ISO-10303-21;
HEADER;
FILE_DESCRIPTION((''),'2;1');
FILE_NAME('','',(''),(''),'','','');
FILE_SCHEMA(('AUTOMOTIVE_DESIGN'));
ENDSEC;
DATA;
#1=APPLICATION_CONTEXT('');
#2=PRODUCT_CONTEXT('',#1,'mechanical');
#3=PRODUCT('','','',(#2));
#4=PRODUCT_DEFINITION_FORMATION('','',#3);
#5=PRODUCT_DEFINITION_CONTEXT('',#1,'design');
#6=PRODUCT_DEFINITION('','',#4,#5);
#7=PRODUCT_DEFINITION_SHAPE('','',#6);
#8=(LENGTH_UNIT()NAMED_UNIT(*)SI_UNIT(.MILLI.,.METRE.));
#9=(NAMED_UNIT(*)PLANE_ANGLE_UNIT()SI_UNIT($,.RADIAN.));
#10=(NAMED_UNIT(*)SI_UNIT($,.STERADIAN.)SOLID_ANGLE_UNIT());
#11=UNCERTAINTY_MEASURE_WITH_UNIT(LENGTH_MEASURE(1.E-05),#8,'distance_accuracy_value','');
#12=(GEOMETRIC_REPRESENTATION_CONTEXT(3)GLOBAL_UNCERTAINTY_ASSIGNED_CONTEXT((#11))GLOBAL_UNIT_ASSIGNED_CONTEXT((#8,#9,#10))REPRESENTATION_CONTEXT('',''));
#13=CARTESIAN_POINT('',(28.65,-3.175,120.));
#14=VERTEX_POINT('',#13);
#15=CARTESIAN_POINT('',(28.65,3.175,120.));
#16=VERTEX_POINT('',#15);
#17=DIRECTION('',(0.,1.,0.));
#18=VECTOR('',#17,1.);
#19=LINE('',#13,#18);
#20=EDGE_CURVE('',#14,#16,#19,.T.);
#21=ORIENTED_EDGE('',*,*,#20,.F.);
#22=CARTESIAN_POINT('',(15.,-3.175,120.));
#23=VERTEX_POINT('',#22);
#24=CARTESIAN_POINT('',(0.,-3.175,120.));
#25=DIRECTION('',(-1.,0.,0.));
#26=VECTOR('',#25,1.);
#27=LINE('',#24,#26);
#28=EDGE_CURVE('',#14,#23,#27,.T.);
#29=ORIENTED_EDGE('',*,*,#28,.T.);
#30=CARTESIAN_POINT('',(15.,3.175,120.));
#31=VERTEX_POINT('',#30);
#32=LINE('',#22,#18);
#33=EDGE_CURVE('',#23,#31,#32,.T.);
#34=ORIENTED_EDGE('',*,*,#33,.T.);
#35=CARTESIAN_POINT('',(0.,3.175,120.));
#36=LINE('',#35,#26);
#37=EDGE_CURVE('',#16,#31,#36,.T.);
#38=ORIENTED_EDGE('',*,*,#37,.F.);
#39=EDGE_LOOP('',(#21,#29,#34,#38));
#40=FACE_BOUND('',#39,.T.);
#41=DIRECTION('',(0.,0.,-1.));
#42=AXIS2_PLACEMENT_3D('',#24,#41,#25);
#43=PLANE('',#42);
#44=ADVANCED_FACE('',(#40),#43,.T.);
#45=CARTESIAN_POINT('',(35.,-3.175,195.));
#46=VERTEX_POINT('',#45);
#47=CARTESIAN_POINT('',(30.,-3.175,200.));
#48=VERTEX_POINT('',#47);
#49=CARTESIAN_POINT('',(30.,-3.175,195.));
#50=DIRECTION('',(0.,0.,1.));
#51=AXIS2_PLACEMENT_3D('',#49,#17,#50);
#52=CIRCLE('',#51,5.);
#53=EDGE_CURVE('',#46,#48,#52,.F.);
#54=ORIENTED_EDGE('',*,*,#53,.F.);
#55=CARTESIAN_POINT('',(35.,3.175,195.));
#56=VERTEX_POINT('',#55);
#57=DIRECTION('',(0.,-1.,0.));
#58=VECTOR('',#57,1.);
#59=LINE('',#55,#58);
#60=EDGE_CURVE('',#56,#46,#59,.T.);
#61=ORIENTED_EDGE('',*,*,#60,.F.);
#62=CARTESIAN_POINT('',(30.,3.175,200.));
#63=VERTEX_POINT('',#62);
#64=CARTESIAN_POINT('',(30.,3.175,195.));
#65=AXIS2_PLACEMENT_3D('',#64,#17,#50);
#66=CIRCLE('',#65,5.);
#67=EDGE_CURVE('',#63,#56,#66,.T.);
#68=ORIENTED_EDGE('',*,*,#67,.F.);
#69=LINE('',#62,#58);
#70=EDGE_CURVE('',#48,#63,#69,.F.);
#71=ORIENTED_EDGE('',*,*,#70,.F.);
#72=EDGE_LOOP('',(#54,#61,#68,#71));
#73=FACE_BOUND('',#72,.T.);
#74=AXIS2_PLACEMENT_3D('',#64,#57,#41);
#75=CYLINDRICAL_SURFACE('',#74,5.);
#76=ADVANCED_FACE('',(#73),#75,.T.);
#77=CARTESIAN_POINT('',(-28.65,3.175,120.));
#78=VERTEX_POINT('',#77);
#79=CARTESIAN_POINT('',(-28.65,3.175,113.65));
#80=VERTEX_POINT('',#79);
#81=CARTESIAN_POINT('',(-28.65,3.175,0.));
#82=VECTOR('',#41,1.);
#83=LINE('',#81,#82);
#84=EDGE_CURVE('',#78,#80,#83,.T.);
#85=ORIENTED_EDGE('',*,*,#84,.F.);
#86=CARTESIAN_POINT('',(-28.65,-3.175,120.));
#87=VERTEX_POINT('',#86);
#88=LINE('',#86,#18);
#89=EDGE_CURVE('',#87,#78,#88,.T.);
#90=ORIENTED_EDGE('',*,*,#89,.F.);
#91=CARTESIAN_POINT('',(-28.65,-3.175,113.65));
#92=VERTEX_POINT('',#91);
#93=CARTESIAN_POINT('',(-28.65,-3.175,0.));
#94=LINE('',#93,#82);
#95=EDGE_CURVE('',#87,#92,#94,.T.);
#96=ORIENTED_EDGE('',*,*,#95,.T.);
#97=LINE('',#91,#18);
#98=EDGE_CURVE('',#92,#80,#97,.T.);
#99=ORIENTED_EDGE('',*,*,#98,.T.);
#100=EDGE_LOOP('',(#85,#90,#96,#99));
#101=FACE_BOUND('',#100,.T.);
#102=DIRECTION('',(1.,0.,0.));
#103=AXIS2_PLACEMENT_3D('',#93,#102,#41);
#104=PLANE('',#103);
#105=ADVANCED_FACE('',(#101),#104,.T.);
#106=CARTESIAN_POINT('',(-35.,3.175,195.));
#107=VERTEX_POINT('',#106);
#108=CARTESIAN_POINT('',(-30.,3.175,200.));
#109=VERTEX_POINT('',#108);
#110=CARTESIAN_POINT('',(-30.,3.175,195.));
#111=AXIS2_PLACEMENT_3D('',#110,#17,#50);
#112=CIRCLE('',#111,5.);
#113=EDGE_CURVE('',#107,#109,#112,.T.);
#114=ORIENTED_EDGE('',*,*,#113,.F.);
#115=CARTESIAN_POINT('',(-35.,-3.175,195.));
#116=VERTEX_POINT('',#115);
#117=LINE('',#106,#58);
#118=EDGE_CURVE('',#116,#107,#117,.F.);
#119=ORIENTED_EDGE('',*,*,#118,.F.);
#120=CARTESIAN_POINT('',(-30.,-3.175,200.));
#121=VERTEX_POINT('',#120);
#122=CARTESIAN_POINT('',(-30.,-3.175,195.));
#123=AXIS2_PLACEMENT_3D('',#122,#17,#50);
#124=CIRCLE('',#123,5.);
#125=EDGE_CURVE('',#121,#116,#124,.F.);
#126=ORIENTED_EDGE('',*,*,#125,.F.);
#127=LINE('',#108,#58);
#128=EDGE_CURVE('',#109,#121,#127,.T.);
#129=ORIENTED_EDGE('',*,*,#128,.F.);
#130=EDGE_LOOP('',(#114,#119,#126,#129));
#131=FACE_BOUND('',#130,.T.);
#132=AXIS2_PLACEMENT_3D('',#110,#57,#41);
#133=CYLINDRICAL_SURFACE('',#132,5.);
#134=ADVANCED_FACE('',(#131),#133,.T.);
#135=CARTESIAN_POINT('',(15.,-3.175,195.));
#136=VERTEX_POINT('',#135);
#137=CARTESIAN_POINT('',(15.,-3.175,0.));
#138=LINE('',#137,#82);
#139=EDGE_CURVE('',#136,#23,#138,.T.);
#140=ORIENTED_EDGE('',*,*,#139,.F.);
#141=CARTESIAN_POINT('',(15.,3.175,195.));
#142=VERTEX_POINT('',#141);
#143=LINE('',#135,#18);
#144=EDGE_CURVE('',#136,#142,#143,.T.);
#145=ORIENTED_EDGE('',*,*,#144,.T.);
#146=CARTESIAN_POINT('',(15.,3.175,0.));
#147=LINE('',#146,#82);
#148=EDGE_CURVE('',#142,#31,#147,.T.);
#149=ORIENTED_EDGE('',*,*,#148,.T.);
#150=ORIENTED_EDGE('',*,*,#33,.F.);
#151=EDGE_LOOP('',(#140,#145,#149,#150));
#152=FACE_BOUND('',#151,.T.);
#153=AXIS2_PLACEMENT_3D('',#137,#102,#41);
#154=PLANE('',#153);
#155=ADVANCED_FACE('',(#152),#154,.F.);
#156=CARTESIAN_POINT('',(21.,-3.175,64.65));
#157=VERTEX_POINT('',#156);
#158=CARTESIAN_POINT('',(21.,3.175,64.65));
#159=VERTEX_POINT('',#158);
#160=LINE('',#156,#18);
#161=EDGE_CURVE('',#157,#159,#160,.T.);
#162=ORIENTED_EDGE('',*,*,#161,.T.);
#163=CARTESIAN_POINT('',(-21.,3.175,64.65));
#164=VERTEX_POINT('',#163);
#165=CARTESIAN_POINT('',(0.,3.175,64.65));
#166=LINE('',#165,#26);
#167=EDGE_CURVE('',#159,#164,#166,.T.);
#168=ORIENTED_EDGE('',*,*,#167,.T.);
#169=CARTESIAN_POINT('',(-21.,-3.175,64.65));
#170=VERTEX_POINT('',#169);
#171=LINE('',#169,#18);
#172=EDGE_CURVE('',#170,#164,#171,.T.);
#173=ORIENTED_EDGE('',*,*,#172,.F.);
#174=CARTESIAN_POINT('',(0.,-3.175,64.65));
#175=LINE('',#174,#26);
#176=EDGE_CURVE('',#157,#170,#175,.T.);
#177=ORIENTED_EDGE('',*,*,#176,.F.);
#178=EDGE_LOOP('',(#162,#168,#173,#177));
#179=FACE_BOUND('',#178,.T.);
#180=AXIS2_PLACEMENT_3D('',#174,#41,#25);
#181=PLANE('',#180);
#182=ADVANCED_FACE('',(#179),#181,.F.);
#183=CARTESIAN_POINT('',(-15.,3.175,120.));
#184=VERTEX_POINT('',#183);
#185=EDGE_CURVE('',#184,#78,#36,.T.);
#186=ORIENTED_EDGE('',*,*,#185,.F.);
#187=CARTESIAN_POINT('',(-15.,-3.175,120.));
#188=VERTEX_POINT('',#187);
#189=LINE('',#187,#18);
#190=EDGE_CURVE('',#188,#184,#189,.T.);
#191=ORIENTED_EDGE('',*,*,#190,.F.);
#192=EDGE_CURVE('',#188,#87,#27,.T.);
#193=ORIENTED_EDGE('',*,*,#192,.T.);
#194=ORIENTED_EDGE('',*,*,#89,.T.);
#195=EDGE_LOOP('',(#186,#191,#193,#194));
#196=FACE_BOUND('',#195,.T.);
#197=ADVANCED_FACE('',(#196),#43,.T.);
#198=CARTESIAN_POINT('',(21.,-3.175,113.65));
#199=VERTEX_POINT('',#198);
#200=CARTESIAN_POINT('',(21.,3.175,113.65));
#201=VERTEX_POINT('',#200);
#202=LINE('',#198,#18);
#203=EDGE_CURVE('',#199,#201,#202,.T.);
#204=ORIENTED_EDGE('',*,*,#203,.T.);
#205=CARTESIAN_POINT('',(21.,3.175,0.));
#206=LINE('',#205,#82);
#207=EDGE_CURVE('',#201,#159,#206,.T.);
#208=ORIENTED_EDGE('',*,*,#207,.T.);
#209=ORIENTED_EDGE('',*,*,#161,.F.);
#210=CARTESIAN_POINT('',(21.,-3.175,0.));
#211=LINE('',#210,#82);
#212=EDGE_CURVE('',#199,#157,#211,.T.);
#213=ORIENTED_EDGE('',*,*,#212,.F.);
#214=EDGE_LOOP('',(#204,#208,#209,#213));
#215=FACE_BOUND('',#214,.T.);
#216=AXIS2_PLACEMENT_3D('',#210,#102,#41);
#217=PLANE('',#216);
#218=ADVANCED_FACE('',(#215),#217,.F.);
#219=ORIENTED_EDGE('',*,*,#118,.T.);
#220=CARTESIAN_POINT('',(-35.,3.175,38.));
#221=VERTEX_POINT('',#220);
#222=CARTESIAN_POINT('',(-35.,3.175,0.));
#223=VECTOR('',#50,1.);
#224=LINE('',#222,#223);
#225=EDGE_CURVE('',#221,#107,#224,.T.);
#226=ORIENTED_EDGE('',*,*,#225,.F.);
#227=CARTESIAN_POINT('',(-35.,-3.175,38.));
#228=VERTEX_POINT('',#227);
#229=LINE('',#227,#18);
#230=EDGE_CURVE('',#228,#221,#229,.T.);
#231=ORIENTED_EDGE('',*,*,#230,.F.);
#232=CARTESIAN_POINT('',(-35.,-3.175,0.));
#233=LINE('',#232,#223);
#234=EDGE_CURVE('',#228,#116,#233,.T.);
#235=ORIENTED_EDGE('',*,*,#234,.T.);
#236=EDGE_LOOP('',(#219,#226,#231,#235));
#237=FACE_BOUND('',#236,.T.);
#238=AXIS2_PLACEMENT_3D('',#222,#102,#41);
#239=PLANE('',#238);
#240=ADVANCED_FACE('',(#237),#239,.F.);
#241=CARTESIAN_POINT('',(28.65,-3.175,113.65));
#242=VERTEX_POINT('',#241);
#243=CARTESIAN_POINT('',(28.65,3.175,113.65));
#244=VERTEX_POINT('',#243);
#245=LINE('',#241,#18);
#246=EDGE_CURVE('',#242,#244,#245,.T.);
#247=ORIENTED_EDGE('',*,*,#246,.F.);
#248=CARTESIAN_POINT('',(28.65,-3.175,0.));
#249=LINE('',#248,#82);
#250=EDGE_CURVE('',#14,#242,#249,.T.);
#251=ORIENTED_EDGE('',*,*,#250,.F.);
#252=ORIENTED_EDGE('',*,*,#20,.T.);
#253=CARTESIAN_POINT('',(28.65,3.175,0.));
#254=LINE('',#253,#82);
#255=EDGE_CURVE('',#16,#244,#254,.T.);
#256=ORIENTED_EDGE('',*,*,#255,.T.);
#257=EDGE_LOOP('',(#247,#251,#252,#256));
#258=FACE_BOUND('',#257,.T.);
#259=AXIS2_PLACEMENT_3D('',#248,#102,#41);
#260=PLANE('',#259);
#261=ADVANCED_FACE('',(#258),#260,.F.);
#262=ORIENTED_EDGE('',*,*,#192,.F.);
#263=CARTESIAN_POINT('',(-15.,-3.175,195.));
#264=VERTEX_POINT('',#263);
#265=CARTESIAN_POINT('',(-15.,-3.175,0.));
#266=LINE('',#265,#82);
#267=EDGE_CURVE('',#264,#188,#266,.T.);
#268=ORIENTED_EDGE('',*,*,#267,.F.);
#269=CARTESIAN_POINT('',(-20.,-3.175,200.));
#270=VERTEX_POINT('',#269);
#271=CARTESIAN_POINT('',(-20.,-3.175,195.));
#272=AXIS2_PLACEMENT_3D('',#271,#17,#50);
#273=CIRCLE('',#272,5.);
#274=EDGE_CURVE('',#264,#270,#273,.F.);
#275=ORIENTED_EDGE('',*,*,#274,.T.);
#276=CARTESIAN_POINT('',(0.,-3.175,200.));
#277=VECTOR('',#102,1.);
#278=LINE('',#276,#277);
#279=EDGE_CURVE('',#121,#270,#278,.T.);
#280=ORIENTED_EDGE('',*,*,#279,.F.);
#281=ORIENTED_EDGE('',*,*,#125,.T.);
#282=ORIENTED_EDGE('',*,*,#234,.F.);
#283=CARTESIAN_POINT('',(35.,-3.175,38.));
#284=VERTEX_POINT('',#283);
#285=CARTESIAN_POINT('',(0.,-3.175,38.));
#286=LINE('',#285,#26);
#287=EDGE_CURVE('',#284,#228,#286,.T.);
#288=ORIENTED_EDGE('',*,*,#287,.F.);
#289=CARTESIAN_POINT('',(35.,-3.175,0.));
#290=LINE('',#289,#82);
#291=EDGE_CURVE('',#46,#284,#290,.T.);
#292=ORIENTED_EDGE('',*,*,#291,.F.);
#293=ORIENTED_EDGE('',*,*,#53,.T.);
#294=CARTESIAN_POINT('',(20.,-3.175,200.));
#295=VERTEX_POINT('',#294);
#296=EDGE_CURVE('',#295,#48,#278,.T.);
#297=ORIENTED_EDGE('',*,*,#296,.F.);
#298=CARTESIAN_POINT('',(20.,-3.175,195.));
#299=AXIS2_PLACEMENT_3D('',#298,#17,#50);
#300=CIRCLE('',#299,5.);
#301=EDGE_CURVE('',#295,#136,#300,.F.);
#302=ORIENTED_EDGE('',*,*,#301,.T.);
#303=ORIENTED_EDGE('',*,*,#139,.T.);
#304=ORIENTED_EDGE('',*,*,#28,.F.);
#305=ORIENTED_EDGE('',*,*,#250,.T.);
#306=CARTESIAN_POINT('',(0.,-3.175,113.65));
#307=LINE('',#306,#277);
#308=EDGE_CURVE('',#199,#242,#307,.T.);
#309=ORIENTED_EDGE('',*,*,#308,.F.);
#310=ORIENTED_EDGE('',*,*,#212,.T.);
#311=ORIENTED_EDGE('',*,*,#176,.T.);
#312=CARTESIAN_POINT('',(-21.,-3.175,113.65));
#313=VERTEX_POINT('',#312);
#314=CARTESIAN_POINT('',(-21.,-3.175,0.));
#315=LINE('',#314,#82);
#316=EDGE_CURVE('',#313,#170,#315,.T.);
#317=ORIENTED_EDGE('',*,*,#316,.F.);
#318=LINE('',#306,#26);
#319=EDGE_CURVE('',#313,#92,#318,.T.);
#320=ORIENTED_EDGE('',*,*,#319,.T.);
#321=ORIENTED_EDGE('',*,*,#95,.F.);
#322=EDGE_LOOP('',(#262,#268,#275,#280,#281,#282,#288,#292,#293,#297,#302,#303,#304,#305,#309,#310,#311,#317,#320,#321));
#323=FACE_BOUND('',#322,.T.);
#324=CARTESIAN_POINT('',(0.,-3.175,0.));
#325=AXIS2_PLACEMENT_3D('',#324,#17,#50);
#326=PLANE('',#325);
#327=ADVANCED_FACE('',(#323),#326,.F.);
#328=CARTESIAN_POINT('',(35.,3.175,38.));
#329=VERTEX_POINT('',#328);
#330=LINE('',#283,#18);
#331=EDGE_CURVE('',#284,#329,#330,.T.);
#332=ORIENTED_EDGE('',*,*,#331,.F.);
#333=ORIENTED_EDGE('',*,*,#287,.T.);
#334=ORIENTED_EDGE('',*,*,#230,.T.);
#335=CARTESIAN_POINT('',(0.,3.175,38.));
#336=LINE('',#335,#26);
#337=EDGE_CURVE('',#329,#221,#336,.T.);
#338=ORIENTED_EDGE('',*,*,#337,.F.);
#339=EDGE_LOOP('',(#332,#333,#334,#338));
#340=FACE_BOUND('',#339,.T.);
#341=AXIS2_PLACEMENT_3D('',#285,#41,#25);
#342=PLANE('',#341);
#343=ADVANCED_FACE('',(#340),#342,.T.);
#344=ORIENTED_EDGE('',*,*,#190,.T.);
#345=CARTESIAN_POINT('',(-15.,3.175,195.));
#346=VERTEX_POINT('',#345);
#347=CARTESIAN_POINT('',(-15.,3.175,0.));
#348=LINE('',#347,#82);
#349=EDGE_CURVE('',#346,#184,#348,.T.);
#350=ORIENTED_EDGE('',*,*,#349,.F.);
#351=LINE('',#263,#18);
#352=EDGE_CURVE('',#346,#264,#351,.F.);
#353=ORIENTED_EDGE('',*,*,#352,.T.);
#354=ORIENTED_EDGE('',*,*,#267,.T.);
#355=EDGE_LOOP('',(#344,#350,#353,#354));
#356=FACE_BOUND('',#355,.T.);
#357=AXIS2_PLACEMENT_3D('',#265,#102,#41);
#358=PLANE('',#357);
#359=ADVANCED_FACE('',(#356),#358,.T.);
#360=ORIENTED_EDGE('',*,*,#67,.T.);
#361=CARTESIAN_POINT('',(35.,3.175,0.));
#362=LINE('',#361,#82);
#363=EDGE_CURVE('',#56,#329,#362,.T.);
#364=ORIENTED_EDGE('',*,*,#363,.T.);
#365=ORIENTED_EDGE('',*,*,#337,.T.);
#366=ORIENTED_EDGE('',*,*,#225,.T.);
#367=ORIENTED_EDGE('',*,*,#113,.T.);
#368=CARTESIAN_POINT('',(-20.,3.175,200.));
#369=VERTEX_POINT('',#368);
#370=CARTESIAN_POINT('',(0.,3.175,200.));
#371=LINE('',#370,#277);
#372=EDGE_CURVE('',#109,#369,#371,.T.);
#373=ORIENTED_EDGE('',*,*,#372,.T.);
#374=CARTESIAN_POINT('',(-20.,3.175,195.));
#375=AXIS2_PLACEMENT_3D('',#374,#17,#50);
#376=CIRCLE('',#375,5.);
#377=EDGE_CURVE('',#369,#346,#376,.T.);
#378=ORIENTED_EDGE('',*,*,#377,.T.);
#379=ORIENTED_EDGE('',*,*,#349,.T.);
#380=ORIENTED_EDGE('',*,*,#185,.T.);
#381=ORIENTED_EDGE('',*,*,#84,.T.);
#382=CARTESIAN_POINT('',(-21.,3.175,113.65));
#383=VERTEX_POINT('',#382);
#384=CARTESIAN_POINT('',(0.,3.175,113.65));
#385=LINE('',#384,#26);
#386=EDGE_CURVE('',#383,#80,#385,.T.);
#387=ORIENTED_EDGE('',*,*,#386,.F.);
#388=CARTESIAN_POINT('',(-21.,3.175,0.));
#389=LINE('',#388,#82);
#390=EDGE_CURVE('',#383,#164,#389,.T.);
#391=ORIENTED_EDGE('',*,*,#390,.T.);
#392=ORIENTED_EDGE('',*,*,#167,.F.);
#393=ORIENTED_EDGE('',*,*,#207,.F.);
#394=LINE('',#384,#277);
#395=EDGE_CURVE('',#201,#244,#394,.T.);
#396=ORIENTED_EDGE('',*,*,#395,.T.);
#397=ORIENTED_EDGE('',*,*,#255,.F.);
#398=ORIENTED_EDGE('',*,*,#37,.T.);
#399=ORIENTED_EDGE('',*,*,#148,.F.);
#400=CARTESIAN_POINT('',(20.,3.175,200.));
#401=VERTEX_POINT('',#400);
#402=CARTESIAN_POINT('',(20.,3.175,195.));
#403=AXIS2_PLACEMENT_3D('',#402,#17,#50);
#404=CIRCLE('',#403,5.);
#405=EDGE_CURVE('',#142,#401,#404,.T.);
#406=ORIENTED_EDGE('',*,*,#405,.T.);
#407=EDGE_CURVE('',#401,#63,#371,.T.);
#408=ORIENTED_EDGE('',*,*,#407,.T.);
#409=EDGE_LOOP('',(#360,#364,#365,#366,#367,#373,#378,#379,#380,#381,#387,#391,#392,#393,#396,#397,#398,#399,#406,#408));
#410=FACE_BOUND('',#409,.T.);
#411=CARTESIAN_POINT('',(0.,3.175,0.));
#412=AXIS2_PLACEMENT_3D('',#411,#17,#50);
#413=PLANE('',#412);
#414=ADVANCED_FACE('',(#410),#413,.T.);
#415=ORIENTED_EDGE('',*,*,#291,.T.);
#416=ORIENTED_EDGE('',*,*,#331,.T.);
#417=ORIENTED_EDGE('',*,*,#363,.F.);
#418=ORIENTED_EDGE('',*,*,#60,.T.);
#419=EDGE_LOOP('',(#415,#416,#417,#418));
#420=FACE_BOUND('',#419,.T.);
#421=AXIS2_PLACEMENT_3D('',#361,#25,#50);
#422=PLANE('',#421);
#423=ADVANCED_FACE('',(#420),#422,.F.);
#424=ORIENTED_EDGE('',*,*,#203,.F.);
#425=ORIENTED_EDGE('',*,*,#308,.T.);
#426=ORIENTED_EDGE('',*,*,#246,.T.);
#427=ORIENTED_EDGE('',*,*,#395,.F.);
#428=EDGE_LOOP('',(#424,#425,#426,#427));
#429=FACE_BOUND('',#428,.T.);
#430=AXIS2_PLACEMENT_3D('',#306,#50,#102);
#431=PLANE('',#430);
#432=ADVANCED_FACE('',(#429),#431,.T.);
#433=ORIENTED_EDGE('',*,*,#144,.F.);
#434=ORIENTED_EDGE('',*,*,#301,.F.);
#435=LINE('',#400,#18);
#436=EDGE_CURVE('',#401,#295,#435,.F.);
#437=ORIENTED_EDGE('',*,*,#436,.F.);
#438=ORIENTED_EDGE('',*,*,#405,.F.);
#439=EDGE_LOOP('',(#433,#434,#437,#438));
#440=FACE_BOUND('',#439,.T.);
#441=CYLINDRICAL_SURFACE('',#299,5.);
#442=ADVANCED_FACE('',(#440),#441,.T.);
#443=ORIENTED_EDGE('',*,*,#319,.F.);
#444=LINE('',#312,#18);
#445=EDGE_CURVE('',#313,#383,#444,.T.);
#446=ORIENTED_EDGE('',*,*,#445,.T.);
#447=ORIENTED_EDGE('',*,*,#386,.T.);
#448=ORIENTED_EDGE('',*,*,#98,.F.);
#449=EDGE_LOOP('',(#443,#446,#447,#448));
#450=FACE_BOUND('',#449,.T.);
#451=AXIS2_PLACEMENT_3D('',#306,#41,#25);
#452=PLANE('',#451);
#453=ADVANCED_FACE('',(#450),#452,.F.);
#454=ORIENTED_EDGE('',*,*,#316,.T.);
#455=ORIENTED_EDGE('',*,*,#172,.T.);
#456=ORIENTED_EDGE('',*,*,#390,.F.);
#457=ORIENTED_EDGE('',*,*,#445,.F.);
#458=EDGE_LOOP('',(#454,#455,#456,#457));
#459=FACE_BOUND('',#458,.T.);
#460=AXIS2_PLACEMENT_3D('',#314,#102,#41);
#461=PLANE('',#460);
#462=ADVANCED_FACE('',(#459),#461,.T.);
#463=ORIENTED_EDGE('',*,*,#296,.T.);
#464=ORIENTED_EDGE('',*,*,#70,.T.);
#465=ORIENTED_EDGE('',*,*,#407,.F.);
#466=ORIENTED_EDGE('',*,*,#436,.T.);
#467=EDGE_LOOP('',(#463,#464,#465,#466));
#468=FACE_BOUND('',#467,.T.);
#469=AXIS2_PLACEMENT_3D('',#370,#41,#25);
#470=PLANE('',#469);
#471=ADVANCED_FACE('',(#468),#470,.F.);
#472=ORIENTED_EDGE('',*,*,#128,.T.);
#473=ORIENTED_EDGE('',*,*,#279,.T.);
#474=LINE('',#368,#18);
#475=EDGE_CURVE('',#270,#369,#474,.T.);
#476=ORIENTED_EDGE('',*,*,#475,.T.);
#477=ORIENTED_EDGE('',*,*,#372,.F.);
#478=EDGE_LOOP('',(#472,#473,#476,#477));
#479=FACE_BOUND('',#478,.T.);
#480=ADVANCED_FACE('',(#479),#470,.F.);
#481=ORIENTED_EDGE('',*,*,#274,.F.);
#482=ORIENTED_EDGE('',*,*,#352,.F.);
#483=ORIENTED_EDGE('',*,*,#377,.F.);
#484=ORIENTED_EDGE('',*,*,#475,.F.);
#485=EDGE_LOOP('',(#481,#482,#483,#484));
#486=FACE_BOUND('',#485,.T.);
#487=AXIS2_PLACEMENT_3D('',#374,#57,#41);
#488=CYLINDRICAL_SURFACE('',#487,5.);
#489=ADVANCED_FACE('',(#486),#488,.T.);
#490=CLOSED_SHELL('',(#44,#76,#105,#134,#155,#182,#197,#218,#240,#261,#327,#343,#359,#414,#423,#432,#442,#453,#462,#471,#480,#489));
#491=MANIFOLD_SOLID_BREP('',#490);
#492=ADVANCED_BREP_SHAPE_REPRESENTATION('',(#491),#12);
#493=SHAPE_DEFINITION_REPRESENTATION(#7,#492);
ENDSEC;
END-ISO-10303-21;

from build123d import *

# Parameters (mm, degrees)
BOSS_EXTRUDE1_DEPTH = 3.175
CUT_EXTRUDE1_DEPTH  = 204.138678001
SKETCH3_W           = 42
SKETCH3_H           = 55.35
SKETCH3_W_2         = 30
SKETCH3_H_2         = 80
SKETCH3_W_3         = 7.65
SKETCH3_H_3         = 6.35
CUT_EXTRUDE2_DEPTH  = 204.138678001
FILLET3_R           = 5


with BuildPart() as part:
    # Sketch1 → Boss-Extrude1 (new, symmetric)
    with BuildSketch(Plane(origin=(0, 0, 0), x_dir=(1, 0, 0), z_dir=(0, 1, 0))):
        with BuildLine():
            Line((35, -200), (35, 0))
            ThreePointArc((35, 0), (0, 35), (-35, 0))
            Line((-35, 0), (-35, -200))
            Line((-35, -200), (35, -200))
        make_face()
    extrude(amount=BOSS_EXTRUDE1_DEPTH, both=True)

    # Sketch2 → Cut-Extrude1 (cut, through all)
    with BuildSketch(Plane(origin=(0, 3.175, 0), x_dir=(1, 0, 0), z_dir=(0, 1, 0))):
        with BuildLine():
            Line((-35, -38), (35, -38))
            Line((35, -38), (35, 0))
            ThreePointArc((35, 0), (0, 35), (-35, 0))
            Line((-35, 0), (-35, -38))
        make_face()
    extrude(amount=-CUT_EXTRUDE1_DEPTH, mode=Mode.SUBTRACT)

    # Sketch3 → Cut-Extrude2 (cut, through all)
    with BuildSketch(Plane(origin=(0, 3.175, 0), x_dir=(1, 0, 0), z_dir=(0, 1, 0))):
        with Locations((0, -92.325)):
            Rectangle(SKETCH3_W, SKETCH3_H)
        with Locations((0, -160)):
            Rectangle(SKETCH3_W_2, SKETCH3_H_2)
        with Locations((-24.825, -116.825)):
            Rectangle(SKETCH3_W_3, SKETCH3_H_3)
        with Locations((24.825, -116.825)):
            Rectangle(SKETCH3_W_3, SKETCH3_H_3)
    extrude(amount=-CUT_EXTRUDE2_DEPTH, mode=Mode.SUBTRACT)

    # Fillet3
    fillet3_edges = [part.edges().sort_by_distance(p)[0] for p in [
        (15, 0, 200),
        (-15, 0, 200),
        (35, 0, 200),
        (-35, 0, 200),
    ]]
    fillet(fillet3_edges, radius=FILLET3_R)


solid = part.part
